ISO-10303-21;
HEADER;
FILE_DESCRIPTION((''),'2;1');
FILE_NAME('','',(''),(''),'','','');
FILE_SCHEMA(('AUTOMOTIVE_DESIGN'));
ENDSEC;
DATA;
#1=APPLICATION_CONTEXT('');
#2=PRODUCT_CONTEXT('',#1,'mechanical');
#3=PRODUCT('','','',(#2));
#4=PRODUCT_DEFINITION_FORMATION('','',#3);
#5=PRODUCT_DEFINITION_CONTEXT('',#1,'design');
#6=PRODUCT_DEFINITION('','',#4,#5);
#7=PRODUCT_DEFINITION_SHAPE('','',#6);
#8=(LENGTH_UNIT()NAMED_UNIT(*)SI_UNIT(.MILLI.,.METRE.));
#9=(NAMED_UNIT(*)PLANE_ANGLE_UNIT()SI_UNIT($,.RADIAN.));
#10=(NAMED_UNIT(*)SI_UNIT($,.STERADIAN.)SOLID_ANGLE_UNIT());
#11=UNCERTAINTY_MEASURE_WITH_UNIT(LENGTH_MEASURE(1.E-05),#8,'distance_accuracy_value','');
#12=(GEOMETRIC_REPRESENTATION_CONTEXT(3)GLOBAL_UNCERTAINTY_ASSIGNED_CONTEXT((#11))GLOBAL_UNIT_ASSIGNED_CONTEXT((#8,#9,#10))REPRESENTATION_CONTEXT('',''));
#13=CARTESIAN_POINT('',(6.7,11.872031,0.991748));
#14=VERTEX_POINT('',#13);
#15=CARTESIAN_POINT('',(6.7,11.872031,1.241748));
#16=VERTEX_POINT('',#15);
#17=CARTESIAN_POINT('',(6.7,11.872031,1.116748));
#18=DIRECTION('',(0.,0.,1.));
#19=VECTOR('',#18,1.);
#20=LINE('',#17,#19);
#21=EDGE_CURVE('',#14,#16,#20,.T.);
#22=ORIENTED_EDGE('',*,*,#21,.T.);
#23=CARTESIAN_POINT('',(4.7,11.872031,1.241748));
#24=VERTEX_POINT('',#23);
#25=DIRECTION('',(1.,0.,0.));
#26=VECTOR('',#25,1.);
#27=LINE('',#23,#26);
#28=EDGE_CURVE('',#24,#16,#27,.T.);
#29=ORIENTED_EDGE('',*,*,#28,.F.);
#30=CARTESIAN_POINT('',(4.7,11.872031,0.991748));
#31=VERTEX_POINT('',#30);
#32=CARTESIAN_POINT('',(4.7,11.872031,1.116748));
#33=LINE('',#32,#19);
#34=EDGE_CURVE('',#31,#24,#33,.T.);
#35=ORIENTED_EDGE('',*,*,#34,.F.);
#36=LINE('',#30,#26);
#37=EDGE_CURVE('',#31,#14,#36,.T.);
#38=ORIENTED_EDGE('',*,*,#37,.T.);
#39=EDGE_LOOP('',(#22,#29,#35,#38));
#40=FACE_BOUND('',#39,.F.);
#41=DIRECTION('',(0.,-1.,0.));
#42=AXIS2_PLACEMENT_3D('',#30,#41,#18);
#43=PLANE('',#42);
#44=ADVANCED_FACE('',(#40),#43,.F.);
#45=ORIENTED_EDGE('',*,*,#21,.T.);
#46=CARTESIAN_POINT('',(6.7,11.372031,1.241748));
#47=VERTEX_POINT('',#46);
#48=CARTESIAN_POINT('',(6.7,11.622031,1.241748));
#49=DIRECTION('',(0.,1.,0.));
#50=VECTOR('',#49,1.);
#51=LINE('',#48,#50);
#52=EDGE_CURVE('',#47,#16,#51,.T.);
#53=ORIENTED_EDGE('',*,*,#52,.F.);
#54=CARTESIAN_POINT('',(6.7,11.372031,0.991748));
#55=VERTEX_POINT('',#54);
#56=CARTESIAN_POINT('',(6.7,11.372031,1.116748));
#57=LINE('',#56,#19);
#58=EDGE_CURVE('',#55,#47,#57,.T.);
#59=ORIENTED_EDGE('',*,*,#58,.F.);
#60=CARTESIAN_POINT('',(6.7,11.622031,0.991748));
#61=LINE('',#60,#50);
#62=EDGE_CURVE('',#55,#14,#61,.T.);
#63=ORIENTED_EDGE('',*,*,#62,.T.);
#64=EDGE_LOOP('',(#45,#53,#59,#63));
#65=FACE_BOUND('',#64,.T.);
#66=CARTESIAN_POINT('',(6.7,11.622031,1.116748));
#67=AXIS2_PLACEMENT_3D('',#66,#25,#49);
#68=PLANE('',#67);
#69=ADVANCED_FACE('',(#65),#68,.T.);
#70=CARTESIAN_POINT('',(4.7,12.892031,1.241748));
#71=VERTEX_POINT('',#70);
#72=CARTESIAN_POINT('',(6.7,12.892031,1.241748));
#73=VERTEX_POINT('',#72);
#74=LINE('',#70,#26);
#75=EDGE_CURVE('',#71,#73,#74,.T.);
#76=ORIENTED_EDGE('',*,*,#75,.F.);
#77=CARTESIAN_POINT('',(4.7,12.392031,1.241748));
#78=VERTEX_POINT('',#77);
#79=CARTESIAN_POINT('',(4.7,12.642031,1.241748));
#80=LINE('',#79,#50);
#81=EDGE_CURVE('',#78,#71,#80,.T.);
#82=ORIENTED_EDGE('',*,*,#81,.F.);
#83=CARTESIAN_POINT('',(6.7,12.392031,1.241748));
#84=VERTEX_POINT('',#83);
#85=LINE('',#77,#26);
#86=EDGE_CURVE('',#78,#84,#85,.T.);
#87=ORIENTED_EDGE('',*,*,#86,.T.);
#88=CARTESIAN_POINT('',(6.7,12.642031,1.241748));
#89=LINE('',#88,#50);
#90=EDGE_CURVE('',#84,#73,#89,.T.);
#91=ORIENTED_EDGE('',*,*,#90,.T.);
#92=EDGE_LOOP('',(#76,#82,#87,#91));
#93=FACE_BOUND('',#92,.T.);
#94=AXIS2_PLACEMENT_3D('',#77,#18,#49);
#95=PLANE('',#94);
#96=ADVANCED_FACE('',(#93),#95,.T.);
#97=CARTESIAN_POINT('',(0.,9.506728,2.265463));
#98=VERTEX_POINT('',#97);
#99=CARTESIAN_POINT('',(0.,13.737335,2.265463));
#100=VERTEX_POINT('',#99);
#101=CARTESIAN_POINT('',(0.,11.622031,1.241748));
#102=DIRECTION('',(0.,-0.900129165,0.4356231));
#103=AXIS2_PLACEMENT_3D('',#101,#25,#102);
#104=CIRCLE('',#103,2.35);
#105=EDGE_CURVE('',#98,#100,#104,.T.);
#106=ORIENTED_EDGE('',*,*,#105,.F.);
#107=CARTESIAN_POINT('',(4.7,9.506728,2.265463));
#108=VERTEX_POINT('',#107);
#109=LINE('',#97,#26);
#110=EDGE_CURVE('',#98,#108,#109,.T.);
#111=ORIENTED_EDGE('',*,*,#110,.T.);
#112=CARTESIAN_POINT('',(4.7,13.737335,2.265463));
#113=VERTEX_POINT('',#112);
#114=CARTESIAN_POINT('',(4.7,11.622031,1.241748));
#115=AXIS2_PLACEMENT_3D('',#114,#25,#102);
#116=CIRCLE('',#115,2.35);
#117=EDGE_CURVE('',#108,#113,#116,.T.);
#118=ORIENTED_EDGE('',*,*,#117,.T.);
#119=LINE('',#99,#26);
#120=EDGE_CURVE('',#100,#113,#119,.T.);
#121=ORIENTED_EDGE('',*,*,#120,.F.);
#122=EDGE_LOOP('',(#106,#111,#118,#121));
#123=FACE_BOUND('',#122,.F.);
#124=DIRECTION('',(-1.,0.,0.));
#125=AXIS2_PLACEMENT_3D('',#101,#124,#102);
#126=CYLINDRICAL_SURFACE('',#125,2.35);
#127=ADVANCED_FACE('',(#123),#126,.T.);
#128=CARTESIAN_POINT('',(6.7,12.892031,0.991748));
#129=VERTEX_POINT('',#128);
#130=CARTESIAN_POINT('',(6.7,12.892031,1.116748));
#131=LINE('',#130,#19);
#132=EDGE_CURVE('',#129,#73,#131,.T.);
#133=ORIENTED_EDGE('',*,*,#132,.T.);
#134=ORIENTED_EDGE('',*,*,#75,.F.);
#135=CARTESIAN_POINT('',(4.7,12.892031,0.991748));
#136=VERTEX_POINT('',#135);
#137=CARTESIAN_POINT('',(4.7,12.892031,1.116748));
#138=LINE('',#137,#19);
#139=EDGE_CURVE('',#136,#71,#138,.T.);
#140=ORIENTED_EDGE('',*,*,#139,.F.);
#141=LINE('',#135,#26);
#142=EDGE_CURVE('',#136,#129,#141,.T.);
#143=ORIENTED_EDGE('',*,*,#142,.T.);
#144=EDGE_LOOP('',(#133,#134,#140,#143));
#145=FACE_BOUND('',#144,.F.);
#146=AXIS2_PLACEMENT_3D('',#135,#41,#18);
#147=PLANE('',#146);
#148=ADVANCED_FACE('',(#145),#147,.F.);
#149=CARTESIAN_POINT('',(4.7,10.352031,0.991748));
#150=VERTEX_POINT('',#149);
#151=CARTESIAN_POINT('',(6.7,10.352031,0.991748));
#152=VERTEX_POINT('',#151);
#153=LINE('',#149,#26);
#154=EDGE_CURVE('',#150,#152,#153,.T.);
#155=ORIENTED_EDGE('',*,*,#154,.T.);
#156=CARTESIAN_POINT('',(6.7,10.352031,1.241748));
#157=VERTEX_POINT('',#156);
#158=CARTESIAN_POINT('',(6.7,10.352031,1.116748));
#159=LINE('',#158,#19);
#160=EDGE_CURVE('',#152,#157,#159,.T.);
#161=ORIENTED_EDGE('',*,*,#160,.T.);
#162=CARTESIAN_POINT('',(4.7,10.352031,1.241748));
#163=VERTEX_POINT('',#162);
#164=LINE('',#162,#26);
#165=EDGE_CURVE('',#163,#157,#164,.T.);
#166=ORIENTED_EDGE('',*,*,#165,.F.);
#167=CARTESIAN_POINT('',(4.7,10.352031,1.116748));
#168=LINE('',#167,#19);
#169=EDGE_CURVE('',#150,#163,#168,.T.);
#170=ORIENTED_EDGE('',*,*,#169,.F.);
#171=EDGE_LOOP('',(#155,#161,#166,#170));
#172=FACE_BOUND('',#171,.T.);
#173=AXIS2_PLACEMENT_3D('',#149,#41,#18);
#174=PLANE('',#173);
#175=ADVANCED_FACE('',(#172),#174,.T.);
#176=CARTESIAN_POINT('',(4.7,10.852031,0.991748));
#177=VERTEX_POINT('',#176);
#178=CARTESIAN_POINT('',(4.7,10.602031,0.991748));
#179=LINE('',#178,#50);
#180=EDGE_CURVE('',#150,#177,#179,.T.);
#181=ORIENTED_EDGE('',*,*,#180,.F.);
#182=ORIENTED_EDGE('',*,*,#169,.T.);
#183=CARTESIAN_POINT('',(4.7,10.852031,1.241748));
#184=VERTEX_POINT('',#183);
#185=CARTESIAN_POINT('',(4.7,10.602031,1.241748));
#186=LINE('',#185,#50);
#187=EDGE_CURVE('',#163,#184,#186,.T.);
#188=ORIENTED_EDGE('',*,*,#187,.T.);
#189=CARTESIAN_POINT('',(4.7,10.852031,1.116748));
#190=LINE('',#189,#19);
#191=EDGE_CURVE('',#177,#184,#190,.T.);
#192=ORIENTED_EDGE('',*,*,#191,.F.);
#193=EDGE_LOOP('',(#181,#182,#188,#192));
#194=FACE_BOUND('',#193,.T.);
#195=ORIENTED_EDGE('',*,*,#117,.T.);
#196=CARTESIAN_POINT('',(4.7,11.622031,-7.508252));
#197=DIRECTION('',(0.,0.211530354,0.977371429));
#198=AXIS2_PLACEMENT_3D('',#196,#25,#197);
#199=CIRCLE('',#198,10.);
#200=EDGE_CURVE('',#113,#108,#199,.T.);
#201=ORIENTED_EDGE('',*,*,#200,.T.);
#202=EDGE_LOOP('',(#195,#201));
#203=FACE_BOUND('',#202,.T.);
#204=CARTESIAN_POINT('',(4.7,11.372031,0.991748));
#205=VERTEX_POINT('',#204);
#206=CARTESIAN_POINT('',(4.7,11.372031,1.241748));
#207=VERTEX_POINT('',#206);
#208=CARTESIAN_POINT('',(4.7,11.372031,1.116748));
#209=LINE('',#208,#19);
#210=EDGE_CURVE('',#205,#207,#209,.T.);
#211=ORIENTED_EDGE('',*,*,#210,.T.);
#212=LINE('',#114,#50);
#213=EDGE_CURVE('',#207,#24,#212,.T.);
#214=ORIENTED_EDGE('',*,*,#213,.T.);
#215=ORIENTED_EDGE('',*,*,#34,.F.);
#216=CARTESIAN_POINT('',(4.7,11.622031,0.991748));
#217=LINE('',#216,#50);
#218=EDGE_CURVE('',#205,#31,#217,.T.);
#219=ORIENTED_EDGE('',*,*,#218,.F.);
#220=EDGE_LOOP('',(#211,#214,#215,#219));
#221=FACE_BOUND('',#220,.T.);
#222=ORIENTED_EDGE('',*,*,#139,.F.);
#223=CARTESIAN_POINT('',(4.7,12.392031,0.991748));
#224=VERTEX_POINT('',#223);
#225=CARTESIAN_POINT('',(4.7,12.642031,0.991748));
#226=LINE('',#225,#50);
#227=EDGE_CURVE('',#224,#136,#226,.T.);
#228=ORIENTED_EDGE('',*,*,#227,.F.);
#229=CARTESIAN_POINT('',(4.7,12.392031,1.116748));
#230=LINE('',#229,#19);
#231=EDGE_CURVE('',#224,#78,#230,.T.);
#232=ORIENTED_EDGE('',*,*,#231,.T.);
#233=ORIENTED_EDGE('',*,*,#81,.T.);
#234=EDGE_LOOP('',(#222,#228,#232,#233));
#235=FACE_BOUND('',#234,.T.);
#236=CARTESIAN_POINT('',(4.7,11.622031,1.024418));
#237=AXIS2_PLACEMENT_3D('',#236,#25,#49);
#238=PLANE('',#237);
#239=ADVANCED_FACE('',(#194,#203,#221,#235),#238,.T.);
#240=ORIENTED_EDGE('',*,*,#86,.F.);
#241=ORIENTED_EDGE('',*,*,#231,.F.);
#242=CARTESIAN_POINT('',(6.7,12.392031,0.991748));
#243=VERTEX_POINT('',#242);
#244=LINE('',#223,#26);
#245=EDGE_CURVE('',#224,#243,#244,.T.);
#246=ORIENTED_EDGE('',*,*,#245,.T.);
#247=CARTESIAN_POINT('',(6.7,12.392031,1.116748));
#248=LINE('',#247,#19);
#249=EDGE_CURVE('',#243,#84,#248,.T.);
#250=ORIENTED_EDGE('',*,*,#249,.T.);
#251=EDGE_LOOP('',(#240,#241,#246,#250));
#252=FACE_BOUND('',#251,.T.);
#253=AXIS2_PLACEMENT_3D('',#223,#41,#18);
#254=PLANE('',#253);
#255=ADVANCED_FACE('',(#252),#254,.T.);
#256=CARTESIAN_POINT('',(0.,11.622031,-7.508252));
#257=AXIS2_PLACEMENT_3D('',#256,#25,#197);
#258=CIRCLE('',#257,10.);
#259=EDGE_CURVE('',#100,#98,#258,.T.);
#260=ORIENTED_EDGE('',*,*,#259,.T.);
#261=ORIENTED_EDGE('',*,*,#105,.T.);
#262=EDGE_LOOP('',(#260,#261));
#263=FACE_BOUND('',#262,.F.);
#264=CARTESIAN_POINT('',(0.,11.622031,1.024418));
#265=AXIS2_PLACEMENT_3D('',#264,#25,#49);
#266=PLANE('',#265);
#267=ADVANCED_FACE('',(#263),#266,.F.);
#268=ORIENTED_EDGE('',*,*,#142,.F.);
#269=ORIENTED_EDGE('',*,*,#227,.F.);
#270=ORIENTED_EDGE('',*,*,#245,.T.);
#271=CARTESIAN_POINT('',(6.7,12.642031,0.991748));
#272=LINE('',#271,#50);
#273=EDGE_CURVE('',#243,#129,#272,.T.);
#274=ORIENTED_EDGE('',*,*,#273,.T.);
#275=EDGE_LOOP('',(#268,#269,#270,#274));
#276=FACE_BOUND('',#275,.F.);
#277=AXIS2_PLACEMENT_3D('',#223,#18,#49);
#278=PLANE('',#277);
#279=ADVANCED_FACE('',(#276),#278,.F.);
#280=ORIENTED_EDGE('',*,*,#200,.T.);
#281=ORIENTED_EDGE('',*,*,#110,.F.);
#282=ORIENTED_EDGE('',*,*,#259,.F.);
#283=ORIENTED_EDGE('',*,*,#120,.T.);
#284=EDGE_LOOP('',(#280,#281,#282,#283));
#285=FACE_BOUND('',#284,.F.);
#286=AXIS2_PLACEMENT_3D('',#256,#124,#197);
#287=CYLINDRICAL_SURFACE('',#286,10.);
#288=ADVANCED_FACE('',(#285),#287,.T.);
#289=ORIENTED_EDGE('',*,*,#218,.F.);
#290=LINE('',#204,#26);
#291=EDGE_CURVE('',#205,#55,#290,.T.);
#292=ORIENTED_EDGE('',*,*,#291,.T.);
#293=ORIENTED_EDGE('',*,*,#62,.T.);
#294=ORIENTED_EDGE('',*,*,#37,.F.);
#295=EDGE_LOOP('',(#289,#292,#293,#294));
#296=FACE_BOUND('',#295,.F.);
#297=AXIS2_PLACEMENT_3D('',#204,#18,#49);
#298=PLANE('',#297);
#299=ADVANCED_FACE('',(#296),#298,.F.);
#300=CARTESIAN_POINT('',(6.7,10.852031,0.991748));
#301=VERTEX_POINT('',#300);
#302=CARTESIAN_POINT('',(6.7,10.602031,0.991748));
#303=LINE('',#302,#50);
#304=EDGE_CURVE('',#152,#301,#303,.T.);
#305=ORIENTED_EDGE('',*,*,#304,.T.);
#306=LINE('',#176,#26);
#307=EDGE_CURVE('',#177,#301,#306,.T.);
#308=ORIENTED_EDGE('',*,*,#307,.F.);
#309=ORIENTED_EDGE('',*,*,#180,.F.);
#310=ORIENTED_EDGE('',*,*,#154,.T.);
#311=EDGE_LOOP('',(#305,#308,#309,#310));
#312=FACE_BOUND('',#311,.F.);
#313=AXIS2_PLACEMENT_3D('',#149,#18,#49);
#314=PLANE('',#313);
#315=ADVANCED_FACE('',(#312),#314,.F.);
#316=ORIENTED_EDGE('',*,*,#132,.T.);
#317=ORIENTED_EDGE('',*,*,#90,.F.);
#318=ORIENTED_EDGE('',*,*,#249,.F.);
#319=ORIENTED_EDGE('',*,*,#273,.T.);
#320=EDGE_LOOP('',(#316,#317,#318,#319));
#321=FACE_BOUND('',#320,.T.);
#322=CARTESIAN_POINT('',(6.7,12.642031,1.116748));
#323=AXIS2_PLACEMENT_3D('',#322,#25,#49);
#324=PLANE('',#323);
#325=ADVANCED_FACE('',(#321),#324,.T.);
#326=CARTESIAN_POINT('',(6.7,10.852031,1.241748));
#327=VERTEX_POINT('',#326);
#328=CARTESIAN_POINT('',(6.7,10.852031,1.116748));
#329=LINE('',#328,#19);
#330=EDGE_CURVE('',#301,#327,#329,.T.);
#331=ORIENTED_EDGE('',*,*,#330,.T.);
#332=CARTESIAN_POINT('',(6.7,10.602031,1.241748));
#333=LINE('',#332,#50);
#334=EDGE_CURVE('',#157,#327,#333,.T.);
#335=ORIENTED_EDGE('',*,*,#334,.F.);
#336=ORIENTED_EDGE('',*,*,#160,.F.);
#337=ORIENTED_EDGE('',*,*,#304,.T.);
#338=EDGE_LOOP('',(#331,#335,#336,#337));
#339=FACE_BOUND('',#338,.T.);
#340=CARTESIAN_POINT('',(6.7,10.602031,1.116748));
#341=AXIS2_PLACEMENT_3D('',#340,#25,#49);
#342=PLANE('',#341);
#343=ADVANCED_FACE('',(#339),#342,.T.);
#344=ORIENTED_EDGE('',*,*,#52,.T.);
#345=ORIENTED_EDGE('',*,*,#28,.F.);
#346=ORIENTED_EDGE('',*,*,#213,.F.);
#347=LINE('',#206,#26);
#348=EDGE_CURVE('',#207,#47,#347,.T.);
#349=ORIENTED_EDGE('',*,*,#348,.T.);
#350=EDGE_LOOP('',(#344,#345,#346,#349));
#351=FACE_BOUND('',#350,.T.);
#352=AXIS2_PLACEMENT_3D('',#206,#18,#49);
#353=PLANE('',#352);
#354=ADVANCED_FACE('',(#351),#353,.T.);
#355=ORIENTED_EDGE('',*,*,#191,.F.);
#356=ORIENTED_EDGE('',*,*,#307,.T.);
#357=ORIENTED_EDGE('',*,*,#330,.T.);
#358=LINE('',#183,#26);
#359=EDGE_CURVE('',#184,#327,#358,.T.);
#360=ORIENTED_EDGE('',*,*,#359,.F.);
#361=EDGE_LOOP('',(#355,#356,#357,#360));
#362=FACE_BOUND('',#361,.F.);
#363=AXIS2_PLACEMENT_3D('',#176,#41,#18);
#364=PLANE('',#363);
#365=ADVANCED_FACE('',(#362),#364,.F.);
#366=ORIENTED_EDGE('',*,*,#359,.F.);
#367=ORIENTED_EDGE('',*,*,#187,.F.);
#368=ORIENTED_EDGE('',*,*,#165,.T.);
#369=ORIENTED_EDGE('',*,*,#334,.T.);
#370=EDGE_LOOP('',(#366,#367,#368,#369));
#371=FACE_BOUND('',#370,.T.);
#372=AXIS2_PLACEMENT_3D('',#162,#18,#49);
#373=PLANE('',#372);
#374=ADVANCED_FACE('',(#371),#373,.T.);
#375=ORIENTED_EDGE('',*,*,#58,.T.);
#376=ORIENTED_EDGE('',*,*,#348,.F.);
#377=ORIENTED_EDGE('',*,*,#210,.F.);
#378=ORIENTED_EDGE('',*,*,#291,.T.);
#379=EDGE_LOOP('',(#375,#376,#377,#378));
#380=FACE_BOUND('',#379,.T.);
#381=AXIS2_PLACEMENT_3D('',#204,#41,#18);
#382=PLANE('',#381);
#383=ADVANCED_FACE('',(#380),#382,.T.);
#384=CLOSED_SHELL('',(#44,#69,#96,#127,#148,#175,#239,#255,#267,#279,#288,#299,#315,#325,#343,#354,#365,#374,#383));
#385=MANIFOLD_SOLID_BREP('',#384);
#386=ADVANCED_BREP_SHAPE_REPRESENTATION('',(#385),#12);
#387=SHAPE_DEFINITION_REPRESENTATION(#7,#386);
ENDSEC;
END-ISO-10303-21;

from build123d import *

# Parameters (mm, degrees)
F1_DEPTH = 4.7
F2_W     = 0.5
F2_H     = 0.25
F3_DEPTH = 2


with BuildPart() as f1:
    # F0 (on Right) → F1 (new body)
    with BuildSketch(Plane.YZ):
        with BuildLine():
            ThreePointArc((13.7373347581, 2.2654625069), (11.6220312193, 2.4917482212), (9.5067276805, 2.2654625069))
            ThreePointArc((9.5067276805, 2.2654625069), (11.6220312193, -1.1082517788), (13.7373347581, 2.2654625069))
        make_face()
    extrude(amount=F1_DEPTH)

    # F2 (on face) → F3 (join)
    with BuildSketch(Plane.YZ.offset(4.7)):
        with Locations((10.6020312193, 1.1167482212)):
            Rectangle(F2_W, F2_H)
        with Locations((11.6220312193, 1.1167482212)):
            Rectangle(F2_W, F2_H)
        with Locations((12.6420312193, 1.1167482212)):
            Rectangle(F2_W, F2_H)
    extrude(amount=F3_DEPTH)


solid = f1.part
